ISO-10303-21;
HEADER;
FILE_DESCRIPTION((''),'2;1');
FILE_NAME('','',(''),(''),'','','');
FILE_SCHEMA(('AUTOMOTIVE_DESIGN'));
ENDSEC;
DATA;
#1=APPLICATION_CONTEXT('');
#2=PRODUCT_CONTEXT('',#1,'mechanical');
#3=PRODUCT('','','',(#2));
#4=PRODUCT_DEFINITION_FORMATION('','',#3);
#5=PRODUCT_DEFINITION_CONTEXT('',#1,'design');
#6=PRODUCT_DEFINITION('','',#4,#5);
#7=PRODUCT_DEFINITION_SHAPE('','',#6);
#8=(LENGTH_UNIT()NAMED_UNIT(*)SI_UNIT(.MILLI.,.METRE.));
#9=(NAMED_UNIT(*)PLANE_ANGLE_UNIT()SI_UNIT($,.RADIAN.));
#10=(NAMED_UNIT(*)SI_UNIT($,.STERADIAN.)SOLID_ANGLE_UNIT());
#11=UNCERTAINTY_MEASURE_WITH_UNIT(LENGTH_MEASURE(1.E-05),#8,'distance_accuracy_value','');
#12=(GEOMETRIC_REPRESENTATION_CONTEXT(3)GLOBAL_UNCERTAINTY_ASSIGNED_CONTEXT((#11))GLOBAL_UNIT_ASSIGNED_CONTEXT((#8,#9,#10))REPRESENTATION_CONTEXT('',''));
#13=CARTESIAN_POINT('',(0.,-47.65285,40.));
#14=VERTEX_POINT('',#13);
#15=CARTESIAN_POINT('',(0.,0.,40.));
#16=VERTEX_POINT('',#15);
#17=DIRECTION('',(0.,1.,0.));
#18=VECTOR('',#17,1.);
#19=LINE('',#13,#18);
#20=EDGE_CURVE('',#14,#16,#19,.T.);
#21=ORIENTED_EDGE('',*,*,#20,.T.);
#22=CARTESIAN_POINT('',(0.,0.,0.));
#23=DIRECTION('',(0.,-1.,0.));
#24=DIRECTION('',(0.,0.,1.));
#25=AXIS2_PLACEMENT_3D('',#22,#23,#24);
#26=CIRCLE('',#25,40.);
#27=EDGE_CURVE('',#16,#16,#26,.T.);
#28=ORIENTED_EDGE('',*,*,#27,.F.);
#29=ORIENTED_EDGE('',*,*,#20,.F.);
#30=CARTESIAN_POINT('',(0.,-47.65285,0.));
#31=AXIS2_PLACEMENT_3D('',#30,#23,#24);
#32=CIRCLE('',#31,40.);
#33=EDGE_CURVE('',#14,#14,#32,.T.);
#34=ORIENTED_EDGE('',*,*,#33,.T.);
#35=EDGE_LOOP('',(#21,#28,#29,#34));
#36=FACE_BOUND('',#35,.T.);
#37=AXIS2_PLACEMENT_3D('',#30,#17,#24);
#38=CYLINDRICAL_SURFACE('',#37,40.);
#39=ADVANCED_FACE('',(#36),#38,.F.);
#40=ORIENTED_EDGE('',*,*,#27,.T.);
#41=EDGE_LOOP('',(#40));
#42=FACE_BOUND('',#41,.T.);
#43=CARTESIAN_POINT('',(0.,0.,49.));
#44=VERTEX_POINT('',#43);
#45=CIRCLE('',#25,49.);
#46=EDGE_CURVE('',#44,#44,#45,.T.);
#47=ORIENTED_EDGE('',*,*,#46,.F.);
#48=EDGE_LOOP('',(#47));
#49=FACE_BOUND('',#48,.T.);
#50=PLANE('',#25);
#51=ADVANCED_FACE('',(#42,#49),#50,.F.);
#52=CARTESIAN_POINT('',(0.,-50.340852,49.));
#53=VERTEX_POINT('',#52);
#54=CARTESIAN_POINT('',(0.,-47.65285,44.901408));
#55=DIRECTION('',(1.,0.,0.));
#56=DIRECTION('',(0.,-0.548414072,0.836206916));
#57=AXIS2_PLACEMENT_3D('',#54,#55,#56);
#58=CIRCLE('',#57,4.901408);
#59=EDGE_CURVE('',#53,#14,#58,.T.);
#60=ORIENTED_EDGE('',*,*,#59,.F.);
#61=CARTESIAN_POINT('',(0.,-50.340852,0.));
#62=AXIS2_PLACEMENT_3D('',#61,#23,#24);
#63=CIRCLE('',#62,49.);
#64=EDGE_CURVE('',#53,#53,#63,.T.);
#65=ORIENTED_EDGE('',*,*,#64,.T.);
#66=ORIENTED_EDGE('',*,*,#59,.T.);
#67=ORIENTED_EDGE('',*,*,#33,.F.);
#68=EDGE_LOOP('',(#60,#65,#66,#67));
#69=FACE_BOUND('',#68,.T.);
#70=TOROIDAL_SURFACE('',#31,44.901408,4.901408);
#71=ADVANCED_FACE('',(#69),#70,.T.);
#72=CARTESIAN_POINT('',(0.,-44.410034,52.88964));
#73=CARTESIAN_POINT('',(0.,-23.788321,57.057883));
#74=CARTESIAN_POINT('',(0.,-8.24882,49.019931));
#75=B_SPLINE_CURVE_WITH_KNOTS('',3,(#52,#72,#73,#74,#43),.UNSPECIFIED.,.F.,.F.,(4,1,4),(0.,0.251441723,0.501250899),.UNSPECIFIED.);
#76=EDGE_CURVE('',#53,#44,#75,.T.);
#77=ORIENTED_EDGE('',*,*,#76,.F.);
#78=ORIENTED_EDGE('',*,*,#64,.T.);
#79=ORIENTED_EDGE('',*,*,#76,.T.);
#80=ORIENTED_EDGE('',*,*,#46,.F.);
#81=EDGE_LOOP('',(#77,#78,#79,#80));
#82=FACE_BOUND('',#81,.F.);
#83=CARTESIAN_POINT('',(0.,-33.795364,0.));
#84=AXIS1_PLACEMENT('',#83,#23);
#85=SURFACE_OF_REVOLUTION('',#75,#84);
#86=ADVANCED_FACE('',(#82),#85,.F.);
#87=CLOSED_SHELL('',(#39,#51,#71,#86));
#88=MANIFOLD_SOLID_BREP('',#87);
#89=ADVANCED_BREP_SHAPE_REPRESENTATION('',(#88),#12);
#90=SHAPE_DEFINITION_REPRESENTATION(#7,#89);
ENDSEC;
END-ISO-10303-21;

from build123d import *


with BuildPart() as f2:
    # F0 (on Right) → F2 (revolve)
    with BuildSketch(Plane.YZ):
        with BuildLine():
            ThreePointArc((-50.3408515139, 49), (-52.349267725, 43.4987443266), (-47.6528501756, 40))
            Line((-47.6528501756, 40), (0, 40))
            Line((0, 40), (0, 49))
            add(Edge.make_bspline(
                [(-50.3408515139, 49), (-44.4100338174, 52.8896400179), (-23.7883211446, 57.0578827131), (-8.2488203013, 49.0199309113), (0, 49)],
                knots=[0, 0, 0, 0, 0.2514417234, 0.5012508991, 0.5012508991, 0.5012508991, 0.5012508991], degree=3))
        make_face()
    revolve(axis=Axis((0, -33.7953642011, 0), (0, -1, 0)))


solid = f2.part
